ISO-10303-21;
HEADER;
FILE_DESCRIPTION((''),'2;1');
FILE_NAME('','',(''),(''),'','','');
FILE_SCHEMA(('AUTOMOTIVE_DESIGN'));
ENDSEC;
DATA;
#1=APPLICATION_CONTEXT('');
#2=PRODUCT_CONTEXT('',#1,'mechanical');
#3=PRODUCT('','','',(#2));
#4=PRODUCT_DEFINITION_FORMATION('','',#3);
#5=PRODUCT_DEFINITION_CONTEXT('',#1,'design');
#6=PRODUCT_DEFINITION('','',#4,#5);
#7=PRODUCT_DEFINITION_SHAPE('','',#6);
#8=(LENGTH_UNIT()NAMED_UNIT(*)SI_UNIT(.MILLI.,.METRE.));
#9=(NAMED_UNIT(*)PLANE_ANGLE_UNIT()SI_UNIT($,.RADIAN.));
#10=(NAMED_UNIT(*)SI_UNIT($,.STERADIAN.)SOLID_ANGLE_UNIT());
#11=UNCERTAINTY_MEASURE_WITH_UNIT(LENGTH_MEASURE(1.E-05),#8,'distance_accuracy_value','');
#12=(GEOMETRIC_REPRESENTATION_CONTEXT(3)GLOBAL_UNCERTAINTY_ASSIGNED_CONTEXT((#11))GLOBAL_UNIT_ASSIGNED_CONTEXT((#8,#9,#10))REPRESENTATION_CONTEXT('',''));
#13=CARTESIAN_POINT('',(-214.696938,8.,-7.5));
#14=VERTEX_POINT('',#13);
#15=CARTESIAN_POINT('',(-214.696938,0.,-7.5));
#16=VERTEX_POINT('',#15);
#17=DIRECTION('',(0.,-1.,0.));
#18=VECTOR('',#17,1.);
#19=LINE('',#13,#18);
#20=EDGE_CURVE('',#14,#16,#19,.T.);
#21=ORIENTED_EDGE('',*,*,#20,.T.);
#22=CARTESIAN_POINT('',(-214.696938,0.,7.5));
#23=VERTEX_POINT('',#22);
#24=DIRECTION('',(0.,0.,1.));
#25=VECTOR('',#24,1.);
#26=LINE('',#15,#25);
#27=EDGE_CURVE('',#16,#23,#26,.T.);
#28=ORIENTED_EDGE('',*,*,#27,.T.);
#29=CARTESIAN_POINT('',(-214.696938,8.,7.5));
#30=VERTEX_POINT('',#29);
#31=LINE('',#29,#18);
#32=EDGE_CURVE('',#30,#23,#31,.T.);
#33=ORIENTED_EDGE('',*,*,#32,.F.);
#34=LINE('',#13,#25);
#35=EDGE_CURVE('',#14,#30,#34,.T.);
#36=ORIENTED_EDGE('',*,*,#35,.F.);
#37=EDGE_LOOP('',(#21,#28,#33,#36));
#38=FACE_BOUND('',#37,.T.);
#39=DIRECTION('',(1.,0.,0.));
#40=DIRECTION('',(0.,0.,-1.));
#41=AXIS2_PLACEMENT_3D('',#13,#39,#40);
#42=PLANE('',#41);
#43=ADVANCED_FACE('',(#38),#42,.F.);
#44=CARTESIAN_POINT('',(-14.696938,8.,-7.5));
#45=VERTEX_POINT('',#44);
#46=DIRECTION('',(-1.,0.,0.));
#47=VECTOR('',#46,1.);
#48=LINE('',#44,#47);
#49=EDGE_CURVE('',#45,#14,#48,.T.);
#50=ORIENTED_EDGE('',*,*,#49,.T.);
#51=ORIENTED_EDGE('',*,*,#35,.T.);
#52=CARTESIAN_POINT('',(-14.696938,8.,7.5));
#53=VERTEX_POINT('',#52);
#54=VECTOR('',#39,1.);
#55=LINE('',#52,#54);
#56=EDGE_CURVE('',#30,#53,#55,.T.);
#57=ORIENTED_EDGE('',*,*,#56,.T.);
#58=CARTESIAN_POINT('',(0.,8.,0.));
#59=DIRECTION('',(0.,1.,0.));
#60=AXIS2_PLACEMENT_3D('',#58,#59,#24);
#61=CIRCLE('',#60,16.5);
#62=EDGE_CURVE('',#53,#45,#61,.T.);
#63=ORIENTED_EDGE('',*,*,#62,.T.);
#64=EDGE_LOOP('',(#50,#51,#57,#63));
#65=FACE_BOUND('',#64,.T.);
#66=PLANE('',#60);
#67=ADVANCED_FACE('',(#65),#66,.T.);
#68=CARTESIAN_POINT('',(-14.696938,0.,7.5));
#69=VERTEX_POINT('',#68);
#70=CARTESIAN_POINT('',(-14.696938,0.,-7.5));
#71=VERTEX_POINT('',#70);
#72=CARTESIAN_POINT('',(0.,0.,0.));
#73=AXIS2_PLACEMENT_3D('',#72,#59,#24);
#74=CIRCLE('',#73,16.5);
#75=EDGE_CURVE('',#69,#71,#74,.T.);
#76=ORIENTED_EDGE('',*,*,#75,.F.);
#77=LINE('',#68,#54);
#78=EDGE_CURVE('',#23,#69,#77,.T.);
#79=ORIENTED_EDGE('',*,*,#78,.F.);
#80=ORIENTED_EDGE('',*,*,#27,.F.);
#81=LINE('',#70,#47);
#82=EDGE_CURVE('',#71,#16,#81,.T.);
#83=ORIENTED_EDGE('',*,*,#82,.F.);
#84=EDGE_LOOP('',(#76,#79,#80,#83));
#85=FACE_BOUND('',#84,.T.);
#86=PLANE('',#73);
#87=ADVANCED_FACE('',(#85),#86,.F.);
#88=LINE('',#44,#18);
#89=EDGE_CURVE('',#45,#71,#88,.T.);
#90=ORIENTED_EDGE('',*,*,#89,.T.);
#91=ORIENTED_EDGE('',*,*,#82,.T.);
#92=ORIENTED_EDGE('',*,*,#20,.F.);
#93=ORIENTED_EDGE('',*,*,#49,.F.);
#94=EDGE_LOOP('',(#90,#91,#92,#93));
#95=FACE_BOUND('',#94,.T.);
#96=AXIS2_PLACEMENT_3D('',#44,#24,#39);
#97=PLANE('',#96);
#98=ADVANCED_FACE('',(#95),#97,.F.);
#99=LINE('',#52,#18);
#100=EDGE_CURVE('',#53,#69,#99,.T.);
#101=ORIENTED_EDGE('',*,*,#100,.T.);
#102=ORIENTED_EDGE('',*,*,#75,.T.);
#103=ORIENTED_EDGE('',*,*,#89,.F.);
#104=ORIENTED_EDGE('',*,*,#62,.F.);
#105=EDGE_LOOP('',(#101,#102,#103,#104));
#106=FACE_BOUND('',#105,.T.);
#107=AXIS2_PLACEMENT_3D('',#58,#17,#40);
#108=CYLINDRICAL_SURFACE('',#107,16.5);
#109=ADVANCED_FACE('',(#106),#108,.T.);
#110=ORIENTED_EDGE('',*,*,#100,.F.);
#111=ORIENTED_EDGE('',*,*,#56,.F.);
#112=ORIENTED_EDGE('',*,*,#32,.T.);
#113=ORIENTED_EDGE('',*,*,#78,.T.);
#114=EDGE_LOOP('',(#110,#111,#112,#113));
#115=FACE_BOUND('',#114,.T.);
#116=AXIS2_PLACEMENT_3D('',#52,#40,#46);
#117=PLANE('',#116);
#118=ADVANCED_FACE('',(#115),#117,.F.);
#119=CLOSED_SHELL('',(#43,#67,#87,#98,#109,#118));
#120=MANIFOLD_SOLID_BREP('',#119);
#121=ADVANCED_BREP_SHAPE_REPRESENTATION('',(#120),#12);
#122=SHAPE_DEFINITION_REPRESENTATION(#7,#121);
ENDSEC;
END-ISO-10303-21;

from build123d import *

# Parameters (mm, degrees)
BOSS_EXTRUDE1_DEPTH = 8


with BuildPart() as part:
    # Sketch1 → Boss-Extrude1 (new body)
    with BuildSketch(Plane(origin=(0, 0, 0), x_dir=(1, 0, 0), z_dir=(0, 1, 0))):
        with BuildLine():
            Line((-14.696938457, 7.5), (-214.696938457, 7.5))
            Line((-214.696938457, 7.5), (-214.696938457, -7.5))
            Line((-214.696938457, -7.5), (-14.696938457, -7.5))
            ThreePointArc((-14.696938457, -7.5), (16.5, 0), (-14.696938457, 7.5))
        make_face()
    extrude(amount=BOSS_EXTRUDE1_DEPTH)


solid = part.part
